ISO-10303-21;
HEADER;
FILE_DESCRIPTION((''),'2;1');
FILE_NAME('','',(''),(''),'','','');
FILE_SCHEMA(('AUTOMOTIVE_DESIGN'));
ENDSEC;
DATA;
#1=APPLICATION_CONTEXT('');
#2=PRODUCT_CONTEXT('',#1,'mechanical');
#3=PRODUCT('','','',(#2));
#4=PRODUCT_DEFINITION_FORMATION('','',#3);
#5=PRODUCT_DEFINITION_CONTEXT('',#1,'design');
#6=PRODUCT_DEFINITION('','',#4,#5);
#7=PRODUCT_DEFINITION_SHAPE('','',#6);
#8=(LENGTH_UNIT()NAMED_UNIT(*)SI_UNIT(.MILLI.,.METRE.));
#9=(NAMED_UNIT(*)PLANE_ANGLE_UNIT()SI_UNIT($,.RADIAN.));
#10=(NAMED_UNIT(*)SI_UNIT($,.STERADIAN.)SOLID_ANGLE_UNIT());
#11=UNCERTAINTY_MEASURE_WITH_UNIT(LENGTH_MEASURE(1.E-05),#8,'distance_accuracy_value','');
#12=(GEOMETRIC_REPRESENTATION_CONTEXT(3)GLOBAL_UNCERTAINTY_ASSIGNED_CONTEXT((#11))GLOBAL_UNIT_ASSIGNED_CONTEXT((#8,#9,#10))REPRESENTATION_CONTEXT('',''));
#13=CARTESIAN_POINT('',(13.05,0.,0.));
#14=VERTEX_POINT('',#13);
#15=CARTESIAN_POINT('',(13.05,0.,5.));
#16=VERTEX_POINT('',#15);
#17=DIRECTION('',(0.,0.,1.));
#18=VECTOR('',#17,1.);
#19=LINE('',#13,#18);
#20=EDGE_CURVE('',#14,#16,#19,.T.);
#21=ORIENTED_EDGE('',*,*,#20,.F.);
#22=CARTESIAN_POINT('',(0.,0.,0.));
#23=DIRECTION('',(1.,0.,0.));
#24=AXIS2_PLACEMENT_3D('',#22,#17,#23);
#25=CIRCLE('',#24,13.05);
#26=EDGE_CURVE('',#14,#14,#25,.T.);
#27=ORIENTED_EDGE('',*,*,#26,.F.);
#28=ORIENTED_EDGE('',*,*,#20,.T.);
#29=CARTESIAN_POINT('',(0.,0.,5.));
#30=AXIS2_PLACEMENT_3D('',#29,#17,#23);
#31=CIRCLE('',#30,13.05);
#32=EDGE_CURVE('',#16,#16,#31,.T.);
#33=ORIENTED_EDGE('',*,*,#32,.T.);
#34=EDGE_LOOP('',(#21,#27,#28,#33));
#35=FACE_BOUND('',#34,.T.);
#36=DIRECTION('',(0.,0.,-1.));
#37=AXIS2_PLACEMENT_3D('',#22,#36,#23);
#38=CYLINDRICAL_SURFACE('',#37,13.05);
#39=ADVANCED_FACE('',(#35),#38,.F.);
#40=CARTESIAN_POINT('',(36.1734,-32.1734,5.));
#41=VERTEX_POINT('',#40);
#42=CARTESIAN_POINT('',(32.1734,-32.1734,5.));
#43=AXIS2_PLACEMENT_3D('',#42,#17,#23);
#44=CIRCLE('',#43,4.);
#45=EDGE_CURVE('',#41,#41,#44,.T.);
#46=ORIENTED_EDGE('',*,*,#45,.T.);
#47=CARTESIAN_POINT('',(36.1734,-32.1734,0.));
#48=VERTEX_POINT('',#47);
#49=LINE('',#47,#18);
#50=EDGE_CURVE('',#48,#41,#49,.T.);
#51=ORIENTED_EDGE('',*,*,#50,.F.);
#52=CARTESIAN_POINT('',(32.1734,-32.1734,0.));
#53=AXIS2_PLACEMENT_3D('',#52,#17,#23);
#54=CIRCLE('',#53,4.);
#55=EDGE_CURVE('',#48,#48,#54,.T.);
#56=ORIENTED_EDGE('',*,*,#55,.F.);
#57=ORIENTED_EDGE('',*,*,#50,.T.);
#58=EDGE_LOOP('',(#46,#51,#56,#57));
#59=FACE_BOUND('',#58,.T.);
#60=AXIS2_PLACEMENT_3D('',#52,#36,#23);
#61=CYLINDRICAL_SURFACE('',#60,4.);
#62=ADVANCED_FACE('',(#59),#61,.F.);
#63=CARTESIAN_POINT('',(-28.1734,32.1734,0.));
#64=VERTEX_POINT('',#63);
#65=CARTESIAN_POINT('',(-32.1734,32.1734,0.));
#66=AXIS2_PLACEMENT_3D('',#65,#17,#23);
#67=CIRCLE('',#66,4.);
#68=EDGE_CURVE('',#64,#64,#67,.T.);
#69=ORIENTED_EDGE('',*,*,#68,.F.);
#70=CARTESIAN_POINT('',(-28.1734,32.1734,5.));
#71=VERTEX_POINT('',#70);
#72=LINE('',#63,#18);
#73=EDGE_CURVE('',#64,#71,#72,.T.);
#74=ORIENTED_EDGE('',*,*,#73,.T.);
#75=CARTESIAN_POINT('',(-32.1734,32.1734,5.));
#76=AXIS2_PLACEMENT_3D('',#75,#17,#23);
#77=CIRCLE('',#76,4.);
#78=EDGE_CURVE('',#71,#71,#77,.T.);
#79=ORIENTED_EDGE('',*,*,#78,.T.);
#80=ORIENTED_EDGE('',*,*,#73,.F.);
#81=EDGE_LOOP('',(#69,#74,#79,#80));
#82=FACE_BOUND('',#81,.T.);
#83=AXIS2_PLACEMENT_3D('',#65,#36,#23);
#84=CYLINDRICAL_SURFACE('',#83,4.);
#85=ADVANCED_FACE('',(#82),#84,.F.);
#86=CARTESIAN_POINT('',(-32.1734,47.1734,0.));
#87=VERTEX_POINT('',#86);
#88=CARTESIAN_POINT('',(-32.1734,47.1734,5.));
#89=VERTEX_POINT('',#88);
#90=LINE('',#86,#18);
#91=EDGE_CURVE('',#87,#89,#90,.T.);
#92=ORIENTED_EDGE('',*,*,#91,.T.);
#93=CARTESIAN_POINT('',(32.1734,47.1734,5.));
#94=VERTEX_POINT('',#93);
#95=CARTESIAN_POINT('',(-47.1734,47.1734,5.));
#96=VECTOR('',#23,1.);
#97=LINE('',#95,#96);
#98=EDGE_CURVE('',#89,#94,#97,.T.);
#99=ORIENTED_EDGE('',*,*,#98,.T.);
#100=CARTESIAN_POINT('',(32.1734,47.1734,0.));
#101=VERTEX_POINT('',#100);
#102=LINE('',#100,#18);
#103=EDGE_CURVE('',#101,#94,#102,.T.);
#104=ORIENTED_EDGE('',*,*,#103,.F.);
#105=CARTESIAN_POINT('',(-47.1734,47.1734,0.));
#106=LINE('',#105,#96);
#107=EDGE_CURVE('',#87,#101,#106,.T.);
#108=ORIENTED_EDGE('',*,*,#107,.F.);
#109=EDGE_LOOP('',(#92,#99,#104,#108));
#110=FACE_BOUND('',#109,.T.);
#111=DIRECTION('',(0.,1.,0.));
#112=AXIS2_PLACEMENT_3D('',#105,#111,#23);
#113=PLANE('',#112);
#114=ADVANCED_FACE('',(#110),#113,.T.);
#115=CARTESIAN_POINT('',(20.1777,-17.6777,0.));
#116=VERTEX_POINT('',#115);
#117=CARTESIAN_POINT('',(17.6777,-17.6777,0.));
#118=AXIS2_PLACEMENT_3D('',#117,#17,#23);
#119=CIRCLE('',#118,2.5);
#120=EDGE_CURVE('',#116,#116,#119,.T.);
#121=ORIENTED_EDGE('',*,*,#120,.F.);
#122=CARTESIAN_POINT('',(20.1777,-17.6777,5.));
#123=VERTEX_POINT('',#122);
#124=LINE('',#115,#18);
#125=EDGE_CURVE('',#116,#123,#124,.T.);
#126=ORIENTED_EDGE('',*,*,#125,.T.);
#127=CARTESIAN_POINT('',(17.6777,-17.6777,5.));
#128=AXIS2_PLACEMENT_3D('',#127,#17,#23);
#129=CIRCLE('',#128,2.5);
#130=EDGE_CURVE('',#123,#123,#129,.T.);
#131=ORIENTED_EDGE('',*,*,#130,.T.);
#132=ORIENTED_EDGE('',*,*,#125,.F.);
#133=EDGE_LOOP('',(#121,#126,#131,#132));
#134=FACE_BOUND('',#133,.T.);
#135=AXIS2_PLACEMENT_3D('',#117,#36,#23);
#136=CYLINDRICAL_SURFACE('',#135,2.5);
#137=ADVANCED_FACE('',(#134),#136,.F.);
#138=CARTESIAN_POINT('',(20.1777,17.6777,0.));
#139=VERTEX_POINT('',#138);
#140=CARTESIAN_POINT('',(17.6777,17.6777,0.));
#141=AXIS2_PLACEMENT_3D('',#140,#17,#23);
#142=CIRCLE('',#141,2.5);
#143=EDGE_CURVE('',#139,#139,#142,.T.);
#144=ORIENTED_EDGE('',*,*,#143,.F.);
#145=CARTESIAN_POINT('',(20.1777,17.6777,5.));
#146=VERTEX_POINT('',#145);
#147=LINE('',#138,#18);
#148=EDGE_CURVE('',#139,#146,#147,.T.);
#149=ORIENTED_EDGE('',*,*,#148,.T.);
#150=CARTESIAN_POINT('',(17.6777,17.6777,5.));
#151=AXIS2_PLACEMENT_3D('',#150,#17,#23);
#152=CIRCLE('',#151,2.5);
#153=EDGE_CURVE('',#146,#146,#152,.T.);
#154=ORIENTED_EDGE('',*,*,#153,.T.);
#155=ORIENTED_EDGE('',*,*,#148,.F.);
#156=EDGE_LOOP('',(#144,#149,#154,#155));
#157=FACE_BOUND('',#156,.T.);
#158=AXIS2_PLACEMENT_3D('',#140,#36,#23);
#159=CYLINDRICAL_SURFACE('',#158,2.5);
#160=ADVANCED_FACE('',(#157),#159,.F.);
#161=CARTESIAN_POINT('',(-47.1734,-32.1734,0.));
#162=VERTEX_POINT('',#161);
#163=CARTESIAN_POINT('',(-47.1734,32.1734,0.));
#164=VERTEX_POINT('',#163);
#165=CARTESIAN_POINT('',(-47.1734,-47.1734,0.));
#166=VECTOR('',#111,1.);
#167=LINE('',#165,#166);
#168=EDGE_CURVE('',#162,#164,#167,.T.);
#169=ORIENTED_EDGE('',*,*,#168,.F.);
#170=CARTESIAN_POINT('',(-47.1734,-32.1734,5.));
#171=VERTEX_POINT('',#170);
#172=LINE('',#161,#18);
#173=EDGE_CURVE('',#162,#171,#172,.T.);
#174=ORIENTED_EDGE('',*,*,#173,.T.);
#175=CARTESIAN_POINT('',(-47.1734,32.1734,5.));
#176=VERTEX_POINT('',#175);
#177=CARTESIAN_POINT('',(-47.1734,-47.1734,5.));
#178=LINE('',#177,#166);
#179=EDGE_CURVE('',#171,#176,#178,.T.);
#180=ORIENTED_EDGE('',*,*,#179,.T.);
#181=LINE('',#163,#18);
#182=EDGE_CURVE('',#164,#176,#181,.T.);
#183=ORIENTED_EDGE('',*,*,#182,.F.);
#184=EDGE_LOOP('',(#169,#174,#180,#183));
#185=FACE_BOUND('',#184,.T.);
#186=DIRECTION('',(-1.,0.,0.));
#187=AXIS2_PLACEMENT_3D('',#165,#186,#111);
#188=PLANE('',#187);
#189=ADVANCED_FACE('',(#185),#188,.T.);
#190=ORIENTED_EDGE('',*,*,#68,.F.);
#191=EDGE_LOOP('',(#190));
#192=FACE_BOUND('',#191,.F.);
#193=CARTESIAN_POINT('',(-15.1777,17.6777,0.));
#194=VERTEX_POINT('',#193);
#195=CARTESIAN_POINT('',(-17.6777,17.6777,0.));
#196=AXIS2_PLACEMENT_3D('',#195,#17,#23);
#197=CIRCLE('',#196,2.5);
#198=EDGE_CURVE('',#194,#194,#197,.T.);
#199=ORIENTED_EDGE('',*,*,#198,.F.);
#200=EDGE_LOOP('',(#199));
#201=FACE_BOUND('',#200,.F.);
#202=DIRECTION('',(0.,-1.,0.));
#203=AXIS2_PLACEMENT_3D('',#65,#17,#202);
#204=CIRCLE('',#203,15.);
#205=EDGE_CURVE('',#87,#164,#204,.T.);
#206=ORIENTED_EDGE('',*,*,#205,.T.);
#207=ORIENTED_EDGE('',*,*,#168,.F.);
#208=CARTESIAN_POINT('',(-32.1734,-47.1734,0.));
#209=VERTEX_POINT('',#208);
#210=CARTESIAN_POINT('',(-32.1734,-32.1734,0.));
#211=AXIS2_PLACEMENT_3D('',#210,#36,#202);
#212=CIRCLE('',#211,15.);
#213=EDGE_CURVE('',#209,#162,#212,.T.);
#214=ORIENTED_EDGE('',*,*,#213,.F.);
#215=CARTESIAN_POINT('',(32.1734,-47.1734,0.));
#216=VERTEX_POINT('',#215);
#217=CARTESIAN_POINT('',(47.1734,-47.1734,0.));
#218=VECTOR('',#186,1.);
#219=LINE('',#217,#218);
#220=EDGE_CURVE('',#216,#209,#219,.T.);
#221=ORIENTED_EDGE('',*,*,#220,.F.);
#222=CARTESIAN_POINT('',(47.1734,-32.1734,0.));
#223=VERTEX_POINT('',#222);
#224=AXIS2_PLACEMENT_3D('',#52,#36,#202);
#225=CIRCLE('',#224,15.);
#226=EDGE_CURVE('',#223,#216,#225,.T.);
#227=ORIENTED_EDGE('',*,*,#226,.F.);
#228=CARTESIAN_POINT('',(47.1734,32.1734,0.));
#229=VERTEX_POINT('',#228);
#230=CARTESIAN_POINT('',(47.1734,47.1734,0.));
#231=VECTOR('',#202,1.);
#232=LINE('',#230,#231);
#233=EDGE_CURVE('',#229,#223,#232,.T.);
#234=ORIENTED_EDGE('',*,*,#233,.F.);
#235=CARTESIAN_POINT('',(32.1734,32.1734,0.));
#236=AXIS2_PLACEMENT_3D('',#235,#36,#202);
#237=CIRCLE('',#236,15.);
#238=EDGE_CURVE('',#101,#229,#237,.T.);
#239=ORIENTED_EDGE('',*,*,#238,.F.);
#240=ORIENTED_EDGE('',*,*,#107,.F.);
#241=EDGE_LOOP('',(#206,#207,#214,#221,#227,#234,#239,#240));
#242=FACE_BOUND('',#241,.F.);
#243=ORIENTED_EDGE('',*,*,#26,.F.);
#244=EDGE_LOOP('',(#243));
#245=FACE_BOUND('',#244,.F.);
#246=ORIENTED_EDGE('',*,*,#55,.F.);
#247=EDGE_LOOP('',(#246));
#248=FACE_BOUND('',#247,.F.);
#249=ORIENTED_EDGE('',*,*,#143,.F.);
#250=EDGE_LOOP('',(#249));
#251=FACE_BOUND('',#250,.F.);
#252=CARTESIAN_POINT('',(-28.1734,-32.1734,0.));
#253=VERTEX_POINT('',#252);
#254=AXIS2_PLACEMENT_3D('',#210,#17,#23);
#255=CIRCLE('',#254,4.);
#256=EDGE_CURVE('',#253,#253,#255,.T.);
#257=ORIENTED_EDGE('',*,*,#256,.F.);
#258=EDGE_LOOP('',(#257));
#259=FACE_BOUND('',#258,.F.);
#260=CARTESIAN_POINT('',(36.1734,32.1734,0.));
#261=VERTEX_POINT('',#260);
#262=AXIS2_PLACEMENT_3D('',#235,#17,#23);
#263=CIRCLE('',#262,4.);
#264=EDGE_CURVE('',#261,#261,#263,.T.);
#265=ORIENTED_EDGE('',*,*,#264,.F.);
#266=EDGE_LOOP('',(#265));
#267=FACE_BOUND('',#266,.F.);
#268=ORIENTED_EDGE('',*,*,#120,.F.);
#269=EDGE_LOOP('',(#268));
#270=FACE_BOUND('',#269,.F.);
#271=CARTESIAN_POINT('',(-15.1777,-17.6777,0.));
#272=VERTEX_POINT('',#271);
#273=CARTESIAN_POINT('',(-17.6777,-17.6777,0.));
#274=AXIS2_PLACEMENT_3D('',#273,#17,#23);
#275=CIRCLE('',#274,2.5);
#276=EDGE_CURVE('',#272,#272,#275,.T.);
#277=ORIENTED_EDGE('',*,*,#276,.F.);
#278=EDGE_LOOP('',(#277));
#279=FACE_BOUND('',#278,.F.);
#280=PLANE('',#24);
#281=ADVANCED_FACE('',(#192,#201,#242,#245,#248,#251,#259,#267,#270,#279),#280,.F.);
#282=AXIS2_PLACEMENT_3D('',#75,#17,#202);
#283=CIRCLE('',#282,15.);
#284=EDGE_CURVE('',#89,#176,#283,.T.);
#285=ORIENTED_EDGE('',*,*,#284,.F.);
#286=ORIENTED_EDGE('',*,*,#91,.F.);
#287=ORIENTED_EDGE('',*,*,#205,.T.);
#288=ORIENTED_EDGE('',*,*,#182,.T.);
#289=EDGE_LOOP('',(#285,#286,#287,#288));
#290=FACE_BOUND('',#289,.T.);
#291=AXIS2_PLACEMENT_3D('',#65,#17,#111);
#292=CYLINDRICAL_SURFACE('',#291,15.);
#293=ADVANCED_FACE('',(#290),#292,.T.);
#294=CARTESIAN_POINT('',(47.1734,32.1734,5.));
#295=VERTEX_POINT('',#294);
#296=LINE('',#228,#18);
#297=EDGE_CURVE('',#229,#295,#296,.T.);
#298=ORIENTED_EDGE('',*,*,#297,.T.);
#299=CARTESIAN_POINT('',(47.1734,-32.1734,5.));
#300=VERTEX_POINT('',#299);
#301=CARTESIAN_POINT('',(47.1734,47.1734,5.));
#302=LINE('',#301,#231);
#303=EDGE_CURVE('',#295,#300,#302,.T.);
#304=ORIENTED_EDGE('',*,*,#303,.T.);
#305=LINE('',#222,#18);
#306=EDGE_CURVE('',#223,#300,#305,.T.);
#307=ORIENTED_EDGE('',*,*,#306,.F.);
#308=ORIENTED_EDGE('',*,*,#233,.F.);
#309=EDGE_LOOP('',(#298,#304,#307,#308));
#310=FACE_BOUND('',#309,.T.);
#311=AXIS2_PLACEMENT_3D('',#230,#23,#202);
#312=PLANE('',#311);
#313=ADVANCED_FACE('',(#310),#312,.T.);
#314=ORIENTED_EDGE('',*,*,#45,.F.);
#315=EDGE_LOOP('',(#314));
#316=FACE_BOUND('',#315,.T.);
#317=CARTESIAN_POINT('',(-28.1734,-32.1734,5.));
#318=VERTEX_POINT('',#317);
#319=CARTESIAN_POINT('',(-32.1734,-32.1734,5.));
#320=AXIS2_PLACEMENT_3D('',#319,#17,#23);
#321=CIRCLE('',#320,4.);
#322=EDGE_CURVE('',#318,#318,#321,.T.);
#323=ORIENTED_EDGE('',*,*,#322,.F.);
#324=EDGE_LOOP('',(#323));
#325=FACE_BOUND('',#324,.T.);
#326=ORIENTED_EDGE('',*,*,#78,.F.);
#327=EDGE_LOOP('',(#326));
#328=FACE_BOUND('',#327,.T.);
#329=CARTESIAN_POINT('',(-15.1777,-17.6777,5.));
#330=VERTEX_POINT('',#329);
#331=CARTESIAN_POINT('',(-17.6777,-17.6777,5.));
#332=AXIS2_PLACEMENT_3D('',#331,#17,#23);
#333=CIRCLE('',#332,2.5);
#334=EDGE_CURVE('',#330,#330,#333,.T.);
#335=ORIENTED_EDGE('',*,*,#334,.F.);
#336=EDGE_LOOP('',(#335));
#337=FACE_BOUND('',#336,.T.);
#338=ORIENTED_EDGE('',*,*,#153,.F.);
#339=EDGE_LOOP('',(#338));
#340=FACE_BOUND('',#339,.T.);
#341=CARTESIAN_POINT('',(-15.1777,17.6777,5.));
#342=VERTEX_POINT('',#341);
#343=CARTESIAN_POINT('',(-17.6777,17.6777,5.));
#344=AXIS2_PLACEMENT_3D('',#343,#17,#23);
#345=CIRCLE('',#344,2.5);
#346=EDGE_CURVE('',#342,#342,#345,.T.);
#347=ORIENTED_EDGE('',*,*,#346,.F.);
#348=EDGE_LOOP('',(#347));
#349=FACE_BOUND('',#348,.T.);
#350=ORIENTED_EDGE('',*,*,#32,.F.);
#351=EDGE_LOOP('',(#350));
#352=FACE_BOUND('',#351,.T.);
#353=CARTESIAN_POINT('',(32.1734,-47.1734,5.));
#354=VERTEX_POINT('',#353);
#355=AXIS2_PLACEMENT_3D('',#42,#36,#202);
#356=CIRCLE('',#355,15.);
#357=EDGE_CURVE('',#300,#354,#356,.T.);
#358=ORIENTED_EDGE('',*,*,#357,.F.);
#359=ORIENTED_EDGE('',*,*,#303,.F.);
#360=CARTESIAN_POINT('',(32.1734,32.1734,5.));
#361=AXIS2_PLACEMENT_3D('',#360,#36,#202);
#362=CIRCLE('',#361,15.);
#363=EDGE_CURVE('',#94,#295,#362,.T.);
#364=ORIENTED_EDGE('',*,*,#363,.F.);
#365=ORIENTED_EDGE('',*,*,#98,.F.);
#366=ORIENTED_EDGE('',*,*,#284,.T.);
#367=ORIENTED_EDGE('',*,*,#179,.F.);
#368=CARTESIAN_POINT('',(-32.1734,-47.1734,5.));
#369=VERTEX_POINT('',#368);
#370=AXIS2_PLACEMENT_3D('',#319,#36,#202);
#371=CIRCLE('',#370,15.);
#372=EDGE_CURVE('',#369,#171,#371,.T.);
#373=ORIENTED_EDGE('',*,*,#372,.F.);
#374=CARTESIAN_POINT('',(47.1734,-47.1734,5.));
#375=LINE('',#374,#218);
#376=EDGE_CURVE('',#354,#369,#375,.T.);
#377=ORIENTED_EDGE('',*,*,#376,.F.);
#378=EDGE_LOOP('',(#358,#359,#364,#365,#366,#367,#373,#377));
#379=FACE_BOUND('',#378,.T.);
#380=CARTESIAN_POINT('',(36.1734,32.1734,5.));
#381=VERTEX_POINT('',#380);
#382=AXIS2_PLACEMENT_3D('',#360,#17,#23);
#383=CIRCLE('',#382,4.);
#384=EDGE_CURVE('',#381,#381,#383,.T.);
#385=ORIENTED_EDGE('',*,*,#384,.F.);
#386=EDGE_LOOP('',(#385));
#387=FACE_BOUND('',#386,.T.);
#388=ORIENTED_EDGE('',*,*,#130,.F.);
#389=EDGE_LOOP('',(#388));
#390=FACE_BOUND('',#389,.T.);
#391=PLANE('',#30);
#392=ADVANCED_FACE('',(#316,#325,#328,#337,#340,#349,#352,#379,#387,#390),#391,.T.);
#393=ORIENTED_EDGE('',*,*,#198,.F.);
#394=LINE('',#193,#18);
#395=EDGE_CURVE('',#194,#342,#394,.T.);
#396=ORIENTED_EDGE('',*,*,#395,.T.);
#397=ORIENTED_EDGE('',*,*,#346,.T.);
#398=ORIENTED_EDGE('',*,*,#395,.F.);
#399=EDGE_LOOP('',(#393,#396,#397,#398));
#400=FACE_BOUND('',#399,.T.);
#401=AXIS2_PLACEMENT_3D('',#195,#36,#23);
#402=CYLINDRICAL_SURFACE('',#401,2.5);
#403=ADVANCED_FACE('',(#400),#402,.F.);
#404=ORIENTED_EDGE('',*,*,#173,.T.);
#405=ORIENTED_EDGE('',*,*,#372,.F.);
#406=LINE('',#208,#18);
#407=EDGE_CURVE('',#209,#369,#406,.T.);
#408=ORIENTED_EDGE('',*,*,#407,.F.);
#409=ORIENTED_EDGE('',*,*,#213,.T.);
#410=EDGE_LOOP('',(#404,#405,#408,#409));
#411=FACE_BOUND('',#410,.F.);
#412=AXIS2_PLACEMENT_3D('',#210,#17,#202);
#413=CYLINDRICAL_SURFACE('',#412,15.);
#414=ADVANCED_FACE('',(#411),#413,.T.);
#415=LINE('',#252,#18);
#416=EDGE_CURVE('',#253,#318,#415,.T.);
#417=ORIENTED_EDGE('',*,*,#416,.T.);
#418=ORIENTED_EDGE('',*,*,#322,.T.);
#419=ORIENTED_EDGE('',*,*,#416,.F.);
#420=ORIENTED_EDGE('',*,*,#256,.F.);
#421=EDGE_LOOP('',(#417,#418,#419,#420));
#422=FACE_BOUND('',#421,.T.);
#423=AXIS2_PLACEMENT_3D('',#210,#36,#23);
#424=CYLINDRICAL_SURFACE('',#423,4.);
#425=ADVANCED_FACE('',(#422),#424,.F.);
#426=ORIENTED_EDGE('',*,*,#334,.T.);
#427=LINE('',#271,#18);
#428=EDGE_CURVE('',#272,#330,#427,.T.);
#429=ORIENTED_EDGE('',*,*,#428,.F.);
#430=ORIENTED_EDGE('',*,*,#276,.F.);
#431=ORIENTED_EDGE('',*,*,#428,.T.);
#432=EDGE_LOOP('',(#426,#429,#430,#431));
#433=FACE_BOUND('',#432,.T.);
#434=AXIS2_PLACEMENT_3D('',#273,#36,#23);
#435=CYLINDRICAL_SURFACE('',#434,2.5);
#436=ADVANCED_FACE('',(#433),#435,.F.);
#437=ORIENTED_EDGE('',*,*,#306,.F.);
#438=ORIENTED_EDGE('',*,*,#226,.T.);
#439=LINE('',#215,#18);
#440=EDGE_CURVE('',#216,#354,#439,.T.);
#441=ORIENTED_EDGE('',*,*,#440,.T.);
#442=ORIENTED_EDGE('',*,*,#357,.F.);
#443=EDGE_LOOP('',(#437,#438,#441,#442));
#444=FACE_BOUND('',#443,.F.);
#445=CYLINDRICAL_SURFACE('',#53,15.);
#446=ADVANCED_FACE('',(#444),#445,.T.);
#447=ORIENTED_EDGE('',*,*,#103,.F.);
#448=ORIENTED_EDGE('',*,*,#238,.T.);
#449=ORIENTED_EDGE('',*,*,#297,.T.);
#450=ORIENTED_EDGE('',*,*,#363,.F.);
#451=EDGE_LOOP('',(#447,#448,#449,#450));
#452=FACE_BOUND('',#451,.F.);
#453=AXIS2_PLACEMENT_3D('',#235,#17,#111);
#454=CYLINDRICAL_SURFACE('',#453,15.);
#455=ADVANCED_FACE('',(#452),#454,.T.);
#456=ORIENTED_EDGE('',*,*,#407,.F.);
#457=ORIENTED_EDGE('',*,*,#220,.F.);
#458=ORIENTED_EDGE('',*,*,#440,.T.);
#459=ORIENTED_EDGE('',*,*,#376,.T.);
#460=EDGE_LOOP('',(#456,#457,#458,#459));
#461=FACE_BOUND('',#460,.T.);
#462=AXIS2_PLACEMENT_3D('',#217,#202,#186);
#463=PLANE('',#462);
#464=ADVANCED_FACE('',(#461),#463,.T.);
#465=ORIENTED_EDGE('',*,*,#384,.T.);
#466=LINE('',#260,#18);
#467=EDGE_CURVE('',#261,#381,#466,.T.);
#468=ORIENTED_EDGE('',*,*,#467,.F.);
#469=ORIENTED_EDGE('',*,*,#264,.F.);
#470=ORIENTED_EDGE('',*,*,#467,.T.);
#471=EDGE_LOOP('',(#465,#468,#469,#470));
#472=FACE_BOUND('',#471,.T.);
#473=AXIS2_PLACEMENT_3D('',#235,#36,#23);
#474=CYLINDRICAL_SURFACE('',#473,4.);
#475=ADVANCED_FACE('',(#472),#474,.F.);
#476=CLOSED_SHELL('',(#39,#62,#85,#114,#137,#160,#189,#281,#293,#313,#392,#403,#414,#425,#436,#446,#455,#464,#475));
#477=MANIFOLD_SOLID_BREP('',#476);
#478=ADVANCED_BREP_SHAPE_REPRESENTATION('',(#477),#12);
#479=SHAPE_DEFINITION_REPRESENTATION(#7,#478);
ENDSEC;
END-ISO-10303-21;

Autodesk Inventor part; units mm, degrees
ref_plane "YZ Plane" through (0, 0, 0) normal (1, 0, 0) x (0, 1, 0)
ref_plane "XZ Plane" through (0, 0, 0) normal (0, 1, 0) x (-1, 0, 0)
ref_plane "XY Plane" through (0, 0, 0) normal (0, 0, 1) x (1, 0, 0)
sketch "スケッチ1" plane through (0, 0, 0) normal (0, 0, 1) x (1, 0, 0)
  line L0 (-47.1734, 47.1734) -> (47.1734, 47.1734)
  line L1 (47.1734, 47.1734) -> (47.1734, -47.1734)
  line L2 (47.1734, -47.1734) -> (-47.1734, -47.1734)
  line L3 (-47.1734, -47.1734) -> (-47.1734, 47.1734)
  line L4 (-47.1734, 47.1734) -> (47.1734, -47.1734) construction
  line L5 (47.1734, 47.1734) -> (-47.1734, -47.1734) construction
  circle A0 centre (32.1734, 32.1734) radius 4
  circle A1 centre (-32.1734, 32.1734) radius 4
  circle A2 centre (-32.1734, -32.1734) radius 4
  circle A3 centre (32.1734, -32.1734) radius 4
  circle A4 centre (0, 0) radius 45.5 construction
  circle A5 centre (0, 0) radius 13.05
  circle A6 centre (0, 0) radius 25 construction
  circle A7 centre (17.6777, 17.6777) radius 2.5
  circle A8 centre (-17.6777, 17.6777) radius 2.5
  circle A9 centre (-17.6777, -17.6777) radius 2.5
  circle A10 centre (17.6777, -17.6777) radius 2.5
  line L6 (-7.8, -7.8) -> (7.8, 7.8) construction
  line L7 (7.8, -7.8) -> (-7.8, 7.8) construction
  line L8 (-17.6777, -17.6777) -> (-17.6777, 17.6777) construction
  line L9 (-17.6777, 17.6777) -> (17.6777, 17.6777) construction
  line L10 (17.6777, -17.6777) -> (-17.6777, -17.6777) construction
  line L11 (17.6777, -17.6777) -> (17.6777, 17.6777) construction
  dimension "d4" = 91
  dimension "d2" = 360
  dimension "d5" = 26.1
  dimension "d7" = 8
  dimension "d8" = 5
  dimension "d12" = 360
  dimension "d26" = 15
  dimension "d27" = 50
extrude "押し出し2" add sketch "スケッチ1" along normal blind 5
fillet "フィレット4" radius 15 4 edges at (47.1734, -47.1734, 2.5) (47.1734, 47.1734, 2.5) (-47.1734, -47.1734, 2.5) (-47.1734, 47.1734, 2.5)
properties part number "車輪ハブ1"
